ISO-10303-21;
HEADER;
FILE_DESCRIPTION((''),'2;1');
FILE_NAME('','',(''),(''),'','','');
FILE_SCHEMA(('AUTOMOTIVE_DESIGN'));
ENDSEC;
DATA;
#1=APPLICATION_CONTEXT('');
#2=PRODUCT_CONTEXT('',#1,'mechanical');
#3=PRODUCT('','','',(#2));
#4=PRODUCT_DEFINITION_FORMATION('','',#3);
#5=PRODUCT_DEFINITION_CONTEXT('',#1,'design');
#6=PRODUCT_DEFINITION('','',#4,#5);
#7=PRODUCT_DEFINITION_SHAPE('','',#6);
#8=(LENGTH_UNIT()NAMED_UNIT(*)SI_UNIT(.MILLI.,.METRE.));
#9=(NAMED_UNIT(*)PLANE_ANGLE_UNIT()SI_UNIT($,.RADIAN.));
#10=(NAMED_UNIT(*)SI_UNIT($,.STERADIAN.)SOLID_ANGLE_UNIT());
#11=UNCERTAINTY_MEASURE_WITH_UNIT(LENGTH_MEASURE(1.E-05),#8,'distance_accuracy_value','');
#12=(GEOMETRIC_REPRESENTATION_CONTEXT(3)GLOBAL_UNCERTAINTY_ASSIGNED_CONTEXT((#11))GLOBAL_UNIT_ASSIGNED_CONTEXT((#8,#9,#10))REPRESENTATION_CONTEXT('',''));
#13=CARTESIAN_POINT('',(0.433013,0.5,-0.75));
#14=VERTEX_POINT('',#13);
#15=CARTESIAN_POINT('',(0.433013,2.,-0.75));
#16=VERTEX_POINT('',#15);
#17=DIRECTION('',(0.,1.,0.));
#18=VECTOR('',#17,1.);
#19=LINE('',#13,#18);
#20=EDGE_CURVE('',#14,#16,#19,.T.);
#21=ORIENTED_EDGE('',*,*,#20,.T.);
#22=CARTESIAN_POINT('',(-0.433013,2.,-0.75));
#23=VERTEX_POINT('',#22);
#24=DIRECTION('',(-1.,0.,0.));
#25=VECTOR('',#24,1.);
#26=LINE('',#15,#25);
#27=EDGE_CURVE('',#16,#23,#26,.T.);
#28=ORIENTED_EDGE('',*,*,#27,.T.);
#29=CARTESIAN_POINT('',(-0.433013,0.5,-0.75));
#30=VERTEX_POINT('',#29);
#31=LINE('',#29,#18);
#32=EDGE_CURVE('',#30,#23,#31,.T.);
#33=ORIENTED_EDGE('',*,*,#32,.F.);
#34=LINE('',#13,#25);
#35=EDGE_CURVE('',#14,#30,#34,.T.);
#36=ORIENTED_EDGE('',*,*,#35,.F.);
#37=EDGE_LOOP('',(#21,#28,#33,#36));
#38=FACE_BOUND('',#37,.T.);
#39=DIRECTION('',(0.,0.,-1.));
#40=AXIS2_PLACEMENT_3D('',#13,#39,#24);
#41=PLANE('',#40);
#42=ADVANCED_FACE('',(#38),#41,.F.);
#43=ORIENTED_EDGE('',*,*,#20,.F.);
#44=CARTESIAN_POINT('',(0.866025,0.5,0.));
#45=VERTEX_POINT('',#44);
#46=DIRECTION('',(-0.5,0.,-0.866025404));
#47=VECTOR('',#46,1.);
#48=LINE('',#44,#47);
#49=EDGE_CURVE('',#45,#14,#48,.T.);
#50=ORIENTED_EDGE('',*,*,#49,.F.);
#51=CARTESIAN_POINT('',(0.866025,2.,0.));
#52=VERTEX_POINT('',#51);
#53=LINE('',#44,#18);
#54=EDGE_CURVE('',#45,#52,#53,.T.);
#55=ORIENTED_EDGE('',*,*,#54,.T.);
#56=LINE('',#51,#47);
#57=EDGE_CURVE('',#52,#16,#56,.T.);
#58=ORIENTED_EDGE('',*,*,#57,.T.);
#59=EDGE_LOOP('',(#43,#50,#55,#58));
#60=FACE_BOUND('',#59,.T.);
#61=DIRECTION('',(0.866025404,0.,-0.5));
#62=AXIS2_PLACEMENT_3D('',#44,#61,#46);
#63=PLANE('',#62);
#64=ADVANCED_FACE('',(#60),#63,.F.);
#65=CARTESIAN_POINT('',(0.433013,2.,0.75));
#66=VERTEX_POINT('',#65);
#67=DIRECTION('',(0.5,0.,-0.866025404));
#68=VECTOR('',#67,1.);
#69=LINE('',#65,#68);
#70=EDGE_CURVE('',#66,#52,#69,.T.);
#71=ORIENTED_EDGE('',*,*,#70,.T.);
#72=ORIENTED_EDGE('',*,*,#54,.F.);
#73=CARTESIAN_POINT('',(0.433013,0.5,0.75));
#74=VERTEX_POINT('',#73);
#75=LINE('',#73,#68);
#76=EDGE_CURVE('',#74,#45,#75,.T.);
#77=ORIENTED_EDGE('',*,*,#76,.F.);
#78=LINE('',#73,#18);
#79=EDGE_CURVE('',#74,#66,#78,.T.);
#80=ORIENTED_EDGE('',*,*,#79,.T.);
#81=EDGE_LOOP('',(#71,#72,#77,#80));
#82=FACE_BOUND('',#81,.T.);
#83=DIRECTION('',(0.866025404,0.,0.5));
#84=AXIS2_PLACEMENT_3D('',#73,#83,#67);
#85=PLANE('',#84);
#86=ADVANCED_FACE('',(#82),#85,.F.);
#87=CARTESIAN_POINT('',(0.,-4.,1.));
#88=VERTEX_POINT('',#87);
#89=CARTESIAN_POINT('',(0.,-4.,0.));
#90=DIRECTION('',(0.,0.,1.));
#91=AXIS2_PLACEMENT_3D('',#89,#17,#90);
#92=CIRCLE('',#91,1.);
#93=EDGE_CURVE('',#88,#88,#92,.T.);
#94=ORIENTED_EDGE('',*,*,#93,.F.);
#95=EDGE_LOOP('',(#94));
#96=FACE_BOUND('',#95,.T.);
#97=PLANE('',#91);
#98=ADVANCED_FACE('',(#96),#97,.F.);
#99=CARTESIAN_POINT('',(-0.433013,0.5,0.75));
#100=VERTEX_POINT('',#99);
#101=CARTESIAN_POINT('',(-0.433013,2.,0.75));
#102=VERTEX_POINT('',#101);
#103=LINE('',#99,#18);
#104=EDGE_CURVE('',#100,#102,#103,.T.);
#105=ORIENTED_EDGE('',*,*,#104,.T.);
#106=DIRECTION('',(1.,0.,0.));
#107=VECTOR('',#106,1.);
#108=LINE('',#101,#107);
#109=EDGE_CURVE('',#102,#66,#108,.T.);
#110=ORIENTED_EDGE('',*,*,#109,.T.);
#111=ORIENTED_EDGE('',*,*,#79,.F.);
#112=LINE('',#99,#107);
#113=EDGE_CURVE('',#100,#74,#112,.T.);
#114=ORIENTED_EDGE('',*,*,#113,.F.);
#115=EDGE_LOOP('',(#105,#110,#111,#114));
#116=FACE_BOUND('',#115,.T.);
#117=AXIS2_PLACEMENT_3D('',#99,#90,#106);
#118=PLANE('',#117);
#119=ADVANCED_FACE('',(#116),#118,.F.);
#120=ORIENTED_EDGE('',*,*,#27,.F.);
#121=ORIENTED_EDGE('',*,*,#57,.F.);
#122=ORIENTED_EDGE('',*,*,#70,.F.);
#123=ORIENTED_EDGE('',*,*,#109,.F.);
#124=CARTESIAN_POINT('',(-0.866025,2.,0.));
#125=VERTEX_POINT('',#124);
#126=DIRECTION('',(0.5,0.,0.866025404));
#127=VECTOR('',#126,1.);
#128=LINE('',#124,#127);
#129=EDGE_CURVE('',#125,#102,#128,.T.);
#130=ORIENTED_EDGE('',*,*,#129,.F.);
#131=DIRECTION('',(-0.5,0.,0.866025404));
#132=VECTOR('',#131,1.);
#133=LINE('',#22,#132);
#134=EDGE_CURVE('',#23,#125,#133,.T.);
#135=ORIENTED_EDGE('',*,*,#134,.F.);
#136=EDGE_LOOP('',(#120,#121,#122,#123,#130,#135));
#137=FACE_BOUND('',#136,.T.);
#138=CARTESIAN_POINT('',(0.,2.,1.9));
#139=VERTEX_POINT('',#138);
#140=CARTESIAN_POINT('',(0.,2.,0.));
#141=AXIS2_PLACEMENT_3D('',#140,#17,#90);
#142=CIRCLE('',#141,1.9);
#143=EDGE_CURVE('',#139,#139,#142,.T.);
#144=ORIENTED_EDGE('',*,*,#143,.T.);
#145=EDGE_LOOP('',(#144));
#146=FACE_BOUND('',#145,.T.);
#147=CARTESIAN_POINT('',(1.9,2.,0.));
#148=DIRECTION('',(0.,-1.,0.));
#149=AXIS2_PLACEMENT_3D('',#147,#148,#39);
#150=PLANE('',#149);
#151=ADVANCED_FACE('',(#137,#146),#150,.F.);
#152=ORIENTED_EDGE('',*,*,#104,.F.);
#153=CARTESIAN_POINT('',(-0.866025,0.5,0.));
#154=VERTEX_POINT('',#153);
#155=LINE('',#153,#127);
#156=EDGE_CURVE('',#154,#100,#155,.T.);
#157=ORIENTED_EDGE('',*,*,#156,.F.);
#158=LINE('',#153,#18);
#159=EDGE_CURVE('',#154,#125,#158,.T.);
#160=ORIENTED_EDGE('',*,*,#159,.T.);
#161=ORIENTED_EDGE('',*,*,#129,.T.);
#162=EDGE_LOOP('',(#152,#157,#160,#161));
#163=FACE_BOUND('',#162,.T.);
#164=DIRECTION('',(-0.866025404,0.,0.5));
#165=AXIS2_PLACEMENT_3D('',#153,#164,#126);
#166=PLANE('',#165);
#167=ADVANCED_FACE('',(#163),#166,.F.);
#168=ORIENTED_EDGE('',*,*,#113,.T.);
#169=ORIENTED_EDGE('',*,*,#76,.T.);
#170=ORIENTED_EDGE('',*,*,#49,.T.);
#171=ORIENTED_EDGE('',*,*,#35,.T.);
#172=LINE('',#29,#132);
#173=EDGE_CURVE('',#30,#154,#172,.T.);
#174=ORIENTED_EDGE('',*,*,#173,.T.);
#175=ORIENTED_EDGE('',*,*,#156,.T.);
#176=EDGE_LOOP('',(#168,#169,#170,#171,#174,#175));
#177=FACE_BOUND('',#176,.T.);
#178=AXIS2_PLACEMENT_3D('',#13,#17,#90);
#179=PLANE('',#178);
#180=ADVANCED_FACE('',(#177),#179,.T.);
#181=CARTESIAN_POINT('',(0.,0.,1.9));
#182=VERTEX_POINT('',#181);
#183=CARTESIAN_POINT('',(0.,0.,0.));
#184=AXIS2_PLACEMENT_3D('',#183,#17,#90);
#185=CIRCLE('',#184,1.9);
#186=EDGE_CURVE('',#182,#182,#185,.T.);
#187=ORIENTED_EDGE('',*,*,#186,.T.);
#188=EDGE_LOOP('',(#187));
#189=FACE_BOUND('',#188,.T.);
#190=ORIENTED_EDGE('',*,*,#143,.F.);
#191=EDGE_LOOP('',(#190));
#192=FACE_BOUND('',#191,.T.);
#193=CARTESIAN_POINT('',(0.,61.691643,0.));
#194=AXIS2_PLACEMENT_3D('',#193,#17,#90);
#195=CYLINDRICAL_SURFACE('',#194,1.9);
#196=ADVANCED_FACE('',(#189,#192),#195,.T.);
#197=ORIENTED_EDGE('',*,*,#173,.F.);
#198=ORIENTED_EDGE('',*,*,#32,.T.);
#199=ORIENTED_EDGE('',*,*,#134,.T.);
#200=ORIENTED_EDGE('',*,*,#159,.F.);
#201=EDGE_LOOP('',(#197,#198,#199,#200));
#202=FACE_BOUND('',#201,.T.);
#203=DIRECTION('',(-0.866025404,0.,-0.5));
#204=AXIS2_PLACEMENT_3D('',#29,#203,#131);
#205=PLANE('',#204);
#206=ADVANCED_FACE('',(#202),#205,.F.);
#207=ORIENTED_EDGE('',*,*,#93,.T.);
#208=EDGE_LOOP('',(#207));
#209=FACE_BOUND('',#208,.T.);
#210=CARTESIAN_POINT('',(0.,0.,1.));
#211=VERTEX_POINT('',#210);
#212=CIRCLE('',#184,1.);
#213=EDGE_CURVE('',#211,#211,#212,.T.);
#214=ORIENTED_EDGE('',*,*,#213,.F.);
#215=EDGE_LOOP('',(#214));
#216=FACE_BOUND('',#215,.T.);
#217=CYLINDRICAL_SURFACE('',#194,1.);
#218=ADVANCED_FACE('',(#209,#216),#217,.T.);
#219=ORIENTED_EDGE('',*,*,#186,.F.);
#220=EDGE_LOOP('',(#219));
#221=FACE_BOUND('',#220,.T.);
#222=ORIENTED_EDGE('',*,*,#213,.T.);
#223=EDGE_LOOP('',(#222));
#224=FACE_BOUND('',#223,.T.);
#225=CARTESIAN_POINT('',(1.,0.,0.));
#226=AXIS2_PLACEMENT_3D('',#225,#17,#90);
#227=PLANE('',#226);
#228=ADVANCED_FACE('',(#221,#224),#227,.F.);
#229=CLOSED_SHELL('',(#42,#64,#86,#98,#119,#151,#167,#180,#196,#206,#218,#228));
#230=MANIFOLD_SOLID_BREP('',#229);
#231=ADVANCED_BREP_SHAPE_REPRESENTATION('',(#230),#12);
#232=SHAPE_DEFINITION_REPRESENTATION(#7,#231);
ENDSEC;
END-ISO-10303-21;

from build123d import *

# Parameters (mm, degrees)
CUT_EXTRUDE1_DEPTH = 1.5


with BuildPart() as part:
    # Sketch1 → Revolve1 (revolve)
    with BuildSketch(Plane.XY, mode=Mode.PRIVATE) as revolve1_sk:
        Polygon((0, -4), (1, -4), (1, 0), (1.9, 0), (1.9, 2), (0, 2), align=None)
    revolve(revolve1_sk.sketch.rotate(Axis((0, 61.691642626, 0), (0, -1, 0)), 90), axis=Axis((0, 61.691642626, 0), (0, -1, 0)))

    # Sketch2 → Cut-Extrude1 (cut)
    with BuildSketch(Plane(origin=(0, 2, 0), x_dir=(-1, 0, 0), z_dir=(0, 1, 0))):
        Polygon((-0.433012702, -0.75), (0.433012702, -0.75), (0.866025404, 0), (0.433012702, 0.75), (-0.433012702, 0.75), (-0.866025404, 0), align=None)
    extrude(amount=-CUT_EXTRUDE1_DEPTH, mode=Mode.SUBTRACT)


solid = part.part
